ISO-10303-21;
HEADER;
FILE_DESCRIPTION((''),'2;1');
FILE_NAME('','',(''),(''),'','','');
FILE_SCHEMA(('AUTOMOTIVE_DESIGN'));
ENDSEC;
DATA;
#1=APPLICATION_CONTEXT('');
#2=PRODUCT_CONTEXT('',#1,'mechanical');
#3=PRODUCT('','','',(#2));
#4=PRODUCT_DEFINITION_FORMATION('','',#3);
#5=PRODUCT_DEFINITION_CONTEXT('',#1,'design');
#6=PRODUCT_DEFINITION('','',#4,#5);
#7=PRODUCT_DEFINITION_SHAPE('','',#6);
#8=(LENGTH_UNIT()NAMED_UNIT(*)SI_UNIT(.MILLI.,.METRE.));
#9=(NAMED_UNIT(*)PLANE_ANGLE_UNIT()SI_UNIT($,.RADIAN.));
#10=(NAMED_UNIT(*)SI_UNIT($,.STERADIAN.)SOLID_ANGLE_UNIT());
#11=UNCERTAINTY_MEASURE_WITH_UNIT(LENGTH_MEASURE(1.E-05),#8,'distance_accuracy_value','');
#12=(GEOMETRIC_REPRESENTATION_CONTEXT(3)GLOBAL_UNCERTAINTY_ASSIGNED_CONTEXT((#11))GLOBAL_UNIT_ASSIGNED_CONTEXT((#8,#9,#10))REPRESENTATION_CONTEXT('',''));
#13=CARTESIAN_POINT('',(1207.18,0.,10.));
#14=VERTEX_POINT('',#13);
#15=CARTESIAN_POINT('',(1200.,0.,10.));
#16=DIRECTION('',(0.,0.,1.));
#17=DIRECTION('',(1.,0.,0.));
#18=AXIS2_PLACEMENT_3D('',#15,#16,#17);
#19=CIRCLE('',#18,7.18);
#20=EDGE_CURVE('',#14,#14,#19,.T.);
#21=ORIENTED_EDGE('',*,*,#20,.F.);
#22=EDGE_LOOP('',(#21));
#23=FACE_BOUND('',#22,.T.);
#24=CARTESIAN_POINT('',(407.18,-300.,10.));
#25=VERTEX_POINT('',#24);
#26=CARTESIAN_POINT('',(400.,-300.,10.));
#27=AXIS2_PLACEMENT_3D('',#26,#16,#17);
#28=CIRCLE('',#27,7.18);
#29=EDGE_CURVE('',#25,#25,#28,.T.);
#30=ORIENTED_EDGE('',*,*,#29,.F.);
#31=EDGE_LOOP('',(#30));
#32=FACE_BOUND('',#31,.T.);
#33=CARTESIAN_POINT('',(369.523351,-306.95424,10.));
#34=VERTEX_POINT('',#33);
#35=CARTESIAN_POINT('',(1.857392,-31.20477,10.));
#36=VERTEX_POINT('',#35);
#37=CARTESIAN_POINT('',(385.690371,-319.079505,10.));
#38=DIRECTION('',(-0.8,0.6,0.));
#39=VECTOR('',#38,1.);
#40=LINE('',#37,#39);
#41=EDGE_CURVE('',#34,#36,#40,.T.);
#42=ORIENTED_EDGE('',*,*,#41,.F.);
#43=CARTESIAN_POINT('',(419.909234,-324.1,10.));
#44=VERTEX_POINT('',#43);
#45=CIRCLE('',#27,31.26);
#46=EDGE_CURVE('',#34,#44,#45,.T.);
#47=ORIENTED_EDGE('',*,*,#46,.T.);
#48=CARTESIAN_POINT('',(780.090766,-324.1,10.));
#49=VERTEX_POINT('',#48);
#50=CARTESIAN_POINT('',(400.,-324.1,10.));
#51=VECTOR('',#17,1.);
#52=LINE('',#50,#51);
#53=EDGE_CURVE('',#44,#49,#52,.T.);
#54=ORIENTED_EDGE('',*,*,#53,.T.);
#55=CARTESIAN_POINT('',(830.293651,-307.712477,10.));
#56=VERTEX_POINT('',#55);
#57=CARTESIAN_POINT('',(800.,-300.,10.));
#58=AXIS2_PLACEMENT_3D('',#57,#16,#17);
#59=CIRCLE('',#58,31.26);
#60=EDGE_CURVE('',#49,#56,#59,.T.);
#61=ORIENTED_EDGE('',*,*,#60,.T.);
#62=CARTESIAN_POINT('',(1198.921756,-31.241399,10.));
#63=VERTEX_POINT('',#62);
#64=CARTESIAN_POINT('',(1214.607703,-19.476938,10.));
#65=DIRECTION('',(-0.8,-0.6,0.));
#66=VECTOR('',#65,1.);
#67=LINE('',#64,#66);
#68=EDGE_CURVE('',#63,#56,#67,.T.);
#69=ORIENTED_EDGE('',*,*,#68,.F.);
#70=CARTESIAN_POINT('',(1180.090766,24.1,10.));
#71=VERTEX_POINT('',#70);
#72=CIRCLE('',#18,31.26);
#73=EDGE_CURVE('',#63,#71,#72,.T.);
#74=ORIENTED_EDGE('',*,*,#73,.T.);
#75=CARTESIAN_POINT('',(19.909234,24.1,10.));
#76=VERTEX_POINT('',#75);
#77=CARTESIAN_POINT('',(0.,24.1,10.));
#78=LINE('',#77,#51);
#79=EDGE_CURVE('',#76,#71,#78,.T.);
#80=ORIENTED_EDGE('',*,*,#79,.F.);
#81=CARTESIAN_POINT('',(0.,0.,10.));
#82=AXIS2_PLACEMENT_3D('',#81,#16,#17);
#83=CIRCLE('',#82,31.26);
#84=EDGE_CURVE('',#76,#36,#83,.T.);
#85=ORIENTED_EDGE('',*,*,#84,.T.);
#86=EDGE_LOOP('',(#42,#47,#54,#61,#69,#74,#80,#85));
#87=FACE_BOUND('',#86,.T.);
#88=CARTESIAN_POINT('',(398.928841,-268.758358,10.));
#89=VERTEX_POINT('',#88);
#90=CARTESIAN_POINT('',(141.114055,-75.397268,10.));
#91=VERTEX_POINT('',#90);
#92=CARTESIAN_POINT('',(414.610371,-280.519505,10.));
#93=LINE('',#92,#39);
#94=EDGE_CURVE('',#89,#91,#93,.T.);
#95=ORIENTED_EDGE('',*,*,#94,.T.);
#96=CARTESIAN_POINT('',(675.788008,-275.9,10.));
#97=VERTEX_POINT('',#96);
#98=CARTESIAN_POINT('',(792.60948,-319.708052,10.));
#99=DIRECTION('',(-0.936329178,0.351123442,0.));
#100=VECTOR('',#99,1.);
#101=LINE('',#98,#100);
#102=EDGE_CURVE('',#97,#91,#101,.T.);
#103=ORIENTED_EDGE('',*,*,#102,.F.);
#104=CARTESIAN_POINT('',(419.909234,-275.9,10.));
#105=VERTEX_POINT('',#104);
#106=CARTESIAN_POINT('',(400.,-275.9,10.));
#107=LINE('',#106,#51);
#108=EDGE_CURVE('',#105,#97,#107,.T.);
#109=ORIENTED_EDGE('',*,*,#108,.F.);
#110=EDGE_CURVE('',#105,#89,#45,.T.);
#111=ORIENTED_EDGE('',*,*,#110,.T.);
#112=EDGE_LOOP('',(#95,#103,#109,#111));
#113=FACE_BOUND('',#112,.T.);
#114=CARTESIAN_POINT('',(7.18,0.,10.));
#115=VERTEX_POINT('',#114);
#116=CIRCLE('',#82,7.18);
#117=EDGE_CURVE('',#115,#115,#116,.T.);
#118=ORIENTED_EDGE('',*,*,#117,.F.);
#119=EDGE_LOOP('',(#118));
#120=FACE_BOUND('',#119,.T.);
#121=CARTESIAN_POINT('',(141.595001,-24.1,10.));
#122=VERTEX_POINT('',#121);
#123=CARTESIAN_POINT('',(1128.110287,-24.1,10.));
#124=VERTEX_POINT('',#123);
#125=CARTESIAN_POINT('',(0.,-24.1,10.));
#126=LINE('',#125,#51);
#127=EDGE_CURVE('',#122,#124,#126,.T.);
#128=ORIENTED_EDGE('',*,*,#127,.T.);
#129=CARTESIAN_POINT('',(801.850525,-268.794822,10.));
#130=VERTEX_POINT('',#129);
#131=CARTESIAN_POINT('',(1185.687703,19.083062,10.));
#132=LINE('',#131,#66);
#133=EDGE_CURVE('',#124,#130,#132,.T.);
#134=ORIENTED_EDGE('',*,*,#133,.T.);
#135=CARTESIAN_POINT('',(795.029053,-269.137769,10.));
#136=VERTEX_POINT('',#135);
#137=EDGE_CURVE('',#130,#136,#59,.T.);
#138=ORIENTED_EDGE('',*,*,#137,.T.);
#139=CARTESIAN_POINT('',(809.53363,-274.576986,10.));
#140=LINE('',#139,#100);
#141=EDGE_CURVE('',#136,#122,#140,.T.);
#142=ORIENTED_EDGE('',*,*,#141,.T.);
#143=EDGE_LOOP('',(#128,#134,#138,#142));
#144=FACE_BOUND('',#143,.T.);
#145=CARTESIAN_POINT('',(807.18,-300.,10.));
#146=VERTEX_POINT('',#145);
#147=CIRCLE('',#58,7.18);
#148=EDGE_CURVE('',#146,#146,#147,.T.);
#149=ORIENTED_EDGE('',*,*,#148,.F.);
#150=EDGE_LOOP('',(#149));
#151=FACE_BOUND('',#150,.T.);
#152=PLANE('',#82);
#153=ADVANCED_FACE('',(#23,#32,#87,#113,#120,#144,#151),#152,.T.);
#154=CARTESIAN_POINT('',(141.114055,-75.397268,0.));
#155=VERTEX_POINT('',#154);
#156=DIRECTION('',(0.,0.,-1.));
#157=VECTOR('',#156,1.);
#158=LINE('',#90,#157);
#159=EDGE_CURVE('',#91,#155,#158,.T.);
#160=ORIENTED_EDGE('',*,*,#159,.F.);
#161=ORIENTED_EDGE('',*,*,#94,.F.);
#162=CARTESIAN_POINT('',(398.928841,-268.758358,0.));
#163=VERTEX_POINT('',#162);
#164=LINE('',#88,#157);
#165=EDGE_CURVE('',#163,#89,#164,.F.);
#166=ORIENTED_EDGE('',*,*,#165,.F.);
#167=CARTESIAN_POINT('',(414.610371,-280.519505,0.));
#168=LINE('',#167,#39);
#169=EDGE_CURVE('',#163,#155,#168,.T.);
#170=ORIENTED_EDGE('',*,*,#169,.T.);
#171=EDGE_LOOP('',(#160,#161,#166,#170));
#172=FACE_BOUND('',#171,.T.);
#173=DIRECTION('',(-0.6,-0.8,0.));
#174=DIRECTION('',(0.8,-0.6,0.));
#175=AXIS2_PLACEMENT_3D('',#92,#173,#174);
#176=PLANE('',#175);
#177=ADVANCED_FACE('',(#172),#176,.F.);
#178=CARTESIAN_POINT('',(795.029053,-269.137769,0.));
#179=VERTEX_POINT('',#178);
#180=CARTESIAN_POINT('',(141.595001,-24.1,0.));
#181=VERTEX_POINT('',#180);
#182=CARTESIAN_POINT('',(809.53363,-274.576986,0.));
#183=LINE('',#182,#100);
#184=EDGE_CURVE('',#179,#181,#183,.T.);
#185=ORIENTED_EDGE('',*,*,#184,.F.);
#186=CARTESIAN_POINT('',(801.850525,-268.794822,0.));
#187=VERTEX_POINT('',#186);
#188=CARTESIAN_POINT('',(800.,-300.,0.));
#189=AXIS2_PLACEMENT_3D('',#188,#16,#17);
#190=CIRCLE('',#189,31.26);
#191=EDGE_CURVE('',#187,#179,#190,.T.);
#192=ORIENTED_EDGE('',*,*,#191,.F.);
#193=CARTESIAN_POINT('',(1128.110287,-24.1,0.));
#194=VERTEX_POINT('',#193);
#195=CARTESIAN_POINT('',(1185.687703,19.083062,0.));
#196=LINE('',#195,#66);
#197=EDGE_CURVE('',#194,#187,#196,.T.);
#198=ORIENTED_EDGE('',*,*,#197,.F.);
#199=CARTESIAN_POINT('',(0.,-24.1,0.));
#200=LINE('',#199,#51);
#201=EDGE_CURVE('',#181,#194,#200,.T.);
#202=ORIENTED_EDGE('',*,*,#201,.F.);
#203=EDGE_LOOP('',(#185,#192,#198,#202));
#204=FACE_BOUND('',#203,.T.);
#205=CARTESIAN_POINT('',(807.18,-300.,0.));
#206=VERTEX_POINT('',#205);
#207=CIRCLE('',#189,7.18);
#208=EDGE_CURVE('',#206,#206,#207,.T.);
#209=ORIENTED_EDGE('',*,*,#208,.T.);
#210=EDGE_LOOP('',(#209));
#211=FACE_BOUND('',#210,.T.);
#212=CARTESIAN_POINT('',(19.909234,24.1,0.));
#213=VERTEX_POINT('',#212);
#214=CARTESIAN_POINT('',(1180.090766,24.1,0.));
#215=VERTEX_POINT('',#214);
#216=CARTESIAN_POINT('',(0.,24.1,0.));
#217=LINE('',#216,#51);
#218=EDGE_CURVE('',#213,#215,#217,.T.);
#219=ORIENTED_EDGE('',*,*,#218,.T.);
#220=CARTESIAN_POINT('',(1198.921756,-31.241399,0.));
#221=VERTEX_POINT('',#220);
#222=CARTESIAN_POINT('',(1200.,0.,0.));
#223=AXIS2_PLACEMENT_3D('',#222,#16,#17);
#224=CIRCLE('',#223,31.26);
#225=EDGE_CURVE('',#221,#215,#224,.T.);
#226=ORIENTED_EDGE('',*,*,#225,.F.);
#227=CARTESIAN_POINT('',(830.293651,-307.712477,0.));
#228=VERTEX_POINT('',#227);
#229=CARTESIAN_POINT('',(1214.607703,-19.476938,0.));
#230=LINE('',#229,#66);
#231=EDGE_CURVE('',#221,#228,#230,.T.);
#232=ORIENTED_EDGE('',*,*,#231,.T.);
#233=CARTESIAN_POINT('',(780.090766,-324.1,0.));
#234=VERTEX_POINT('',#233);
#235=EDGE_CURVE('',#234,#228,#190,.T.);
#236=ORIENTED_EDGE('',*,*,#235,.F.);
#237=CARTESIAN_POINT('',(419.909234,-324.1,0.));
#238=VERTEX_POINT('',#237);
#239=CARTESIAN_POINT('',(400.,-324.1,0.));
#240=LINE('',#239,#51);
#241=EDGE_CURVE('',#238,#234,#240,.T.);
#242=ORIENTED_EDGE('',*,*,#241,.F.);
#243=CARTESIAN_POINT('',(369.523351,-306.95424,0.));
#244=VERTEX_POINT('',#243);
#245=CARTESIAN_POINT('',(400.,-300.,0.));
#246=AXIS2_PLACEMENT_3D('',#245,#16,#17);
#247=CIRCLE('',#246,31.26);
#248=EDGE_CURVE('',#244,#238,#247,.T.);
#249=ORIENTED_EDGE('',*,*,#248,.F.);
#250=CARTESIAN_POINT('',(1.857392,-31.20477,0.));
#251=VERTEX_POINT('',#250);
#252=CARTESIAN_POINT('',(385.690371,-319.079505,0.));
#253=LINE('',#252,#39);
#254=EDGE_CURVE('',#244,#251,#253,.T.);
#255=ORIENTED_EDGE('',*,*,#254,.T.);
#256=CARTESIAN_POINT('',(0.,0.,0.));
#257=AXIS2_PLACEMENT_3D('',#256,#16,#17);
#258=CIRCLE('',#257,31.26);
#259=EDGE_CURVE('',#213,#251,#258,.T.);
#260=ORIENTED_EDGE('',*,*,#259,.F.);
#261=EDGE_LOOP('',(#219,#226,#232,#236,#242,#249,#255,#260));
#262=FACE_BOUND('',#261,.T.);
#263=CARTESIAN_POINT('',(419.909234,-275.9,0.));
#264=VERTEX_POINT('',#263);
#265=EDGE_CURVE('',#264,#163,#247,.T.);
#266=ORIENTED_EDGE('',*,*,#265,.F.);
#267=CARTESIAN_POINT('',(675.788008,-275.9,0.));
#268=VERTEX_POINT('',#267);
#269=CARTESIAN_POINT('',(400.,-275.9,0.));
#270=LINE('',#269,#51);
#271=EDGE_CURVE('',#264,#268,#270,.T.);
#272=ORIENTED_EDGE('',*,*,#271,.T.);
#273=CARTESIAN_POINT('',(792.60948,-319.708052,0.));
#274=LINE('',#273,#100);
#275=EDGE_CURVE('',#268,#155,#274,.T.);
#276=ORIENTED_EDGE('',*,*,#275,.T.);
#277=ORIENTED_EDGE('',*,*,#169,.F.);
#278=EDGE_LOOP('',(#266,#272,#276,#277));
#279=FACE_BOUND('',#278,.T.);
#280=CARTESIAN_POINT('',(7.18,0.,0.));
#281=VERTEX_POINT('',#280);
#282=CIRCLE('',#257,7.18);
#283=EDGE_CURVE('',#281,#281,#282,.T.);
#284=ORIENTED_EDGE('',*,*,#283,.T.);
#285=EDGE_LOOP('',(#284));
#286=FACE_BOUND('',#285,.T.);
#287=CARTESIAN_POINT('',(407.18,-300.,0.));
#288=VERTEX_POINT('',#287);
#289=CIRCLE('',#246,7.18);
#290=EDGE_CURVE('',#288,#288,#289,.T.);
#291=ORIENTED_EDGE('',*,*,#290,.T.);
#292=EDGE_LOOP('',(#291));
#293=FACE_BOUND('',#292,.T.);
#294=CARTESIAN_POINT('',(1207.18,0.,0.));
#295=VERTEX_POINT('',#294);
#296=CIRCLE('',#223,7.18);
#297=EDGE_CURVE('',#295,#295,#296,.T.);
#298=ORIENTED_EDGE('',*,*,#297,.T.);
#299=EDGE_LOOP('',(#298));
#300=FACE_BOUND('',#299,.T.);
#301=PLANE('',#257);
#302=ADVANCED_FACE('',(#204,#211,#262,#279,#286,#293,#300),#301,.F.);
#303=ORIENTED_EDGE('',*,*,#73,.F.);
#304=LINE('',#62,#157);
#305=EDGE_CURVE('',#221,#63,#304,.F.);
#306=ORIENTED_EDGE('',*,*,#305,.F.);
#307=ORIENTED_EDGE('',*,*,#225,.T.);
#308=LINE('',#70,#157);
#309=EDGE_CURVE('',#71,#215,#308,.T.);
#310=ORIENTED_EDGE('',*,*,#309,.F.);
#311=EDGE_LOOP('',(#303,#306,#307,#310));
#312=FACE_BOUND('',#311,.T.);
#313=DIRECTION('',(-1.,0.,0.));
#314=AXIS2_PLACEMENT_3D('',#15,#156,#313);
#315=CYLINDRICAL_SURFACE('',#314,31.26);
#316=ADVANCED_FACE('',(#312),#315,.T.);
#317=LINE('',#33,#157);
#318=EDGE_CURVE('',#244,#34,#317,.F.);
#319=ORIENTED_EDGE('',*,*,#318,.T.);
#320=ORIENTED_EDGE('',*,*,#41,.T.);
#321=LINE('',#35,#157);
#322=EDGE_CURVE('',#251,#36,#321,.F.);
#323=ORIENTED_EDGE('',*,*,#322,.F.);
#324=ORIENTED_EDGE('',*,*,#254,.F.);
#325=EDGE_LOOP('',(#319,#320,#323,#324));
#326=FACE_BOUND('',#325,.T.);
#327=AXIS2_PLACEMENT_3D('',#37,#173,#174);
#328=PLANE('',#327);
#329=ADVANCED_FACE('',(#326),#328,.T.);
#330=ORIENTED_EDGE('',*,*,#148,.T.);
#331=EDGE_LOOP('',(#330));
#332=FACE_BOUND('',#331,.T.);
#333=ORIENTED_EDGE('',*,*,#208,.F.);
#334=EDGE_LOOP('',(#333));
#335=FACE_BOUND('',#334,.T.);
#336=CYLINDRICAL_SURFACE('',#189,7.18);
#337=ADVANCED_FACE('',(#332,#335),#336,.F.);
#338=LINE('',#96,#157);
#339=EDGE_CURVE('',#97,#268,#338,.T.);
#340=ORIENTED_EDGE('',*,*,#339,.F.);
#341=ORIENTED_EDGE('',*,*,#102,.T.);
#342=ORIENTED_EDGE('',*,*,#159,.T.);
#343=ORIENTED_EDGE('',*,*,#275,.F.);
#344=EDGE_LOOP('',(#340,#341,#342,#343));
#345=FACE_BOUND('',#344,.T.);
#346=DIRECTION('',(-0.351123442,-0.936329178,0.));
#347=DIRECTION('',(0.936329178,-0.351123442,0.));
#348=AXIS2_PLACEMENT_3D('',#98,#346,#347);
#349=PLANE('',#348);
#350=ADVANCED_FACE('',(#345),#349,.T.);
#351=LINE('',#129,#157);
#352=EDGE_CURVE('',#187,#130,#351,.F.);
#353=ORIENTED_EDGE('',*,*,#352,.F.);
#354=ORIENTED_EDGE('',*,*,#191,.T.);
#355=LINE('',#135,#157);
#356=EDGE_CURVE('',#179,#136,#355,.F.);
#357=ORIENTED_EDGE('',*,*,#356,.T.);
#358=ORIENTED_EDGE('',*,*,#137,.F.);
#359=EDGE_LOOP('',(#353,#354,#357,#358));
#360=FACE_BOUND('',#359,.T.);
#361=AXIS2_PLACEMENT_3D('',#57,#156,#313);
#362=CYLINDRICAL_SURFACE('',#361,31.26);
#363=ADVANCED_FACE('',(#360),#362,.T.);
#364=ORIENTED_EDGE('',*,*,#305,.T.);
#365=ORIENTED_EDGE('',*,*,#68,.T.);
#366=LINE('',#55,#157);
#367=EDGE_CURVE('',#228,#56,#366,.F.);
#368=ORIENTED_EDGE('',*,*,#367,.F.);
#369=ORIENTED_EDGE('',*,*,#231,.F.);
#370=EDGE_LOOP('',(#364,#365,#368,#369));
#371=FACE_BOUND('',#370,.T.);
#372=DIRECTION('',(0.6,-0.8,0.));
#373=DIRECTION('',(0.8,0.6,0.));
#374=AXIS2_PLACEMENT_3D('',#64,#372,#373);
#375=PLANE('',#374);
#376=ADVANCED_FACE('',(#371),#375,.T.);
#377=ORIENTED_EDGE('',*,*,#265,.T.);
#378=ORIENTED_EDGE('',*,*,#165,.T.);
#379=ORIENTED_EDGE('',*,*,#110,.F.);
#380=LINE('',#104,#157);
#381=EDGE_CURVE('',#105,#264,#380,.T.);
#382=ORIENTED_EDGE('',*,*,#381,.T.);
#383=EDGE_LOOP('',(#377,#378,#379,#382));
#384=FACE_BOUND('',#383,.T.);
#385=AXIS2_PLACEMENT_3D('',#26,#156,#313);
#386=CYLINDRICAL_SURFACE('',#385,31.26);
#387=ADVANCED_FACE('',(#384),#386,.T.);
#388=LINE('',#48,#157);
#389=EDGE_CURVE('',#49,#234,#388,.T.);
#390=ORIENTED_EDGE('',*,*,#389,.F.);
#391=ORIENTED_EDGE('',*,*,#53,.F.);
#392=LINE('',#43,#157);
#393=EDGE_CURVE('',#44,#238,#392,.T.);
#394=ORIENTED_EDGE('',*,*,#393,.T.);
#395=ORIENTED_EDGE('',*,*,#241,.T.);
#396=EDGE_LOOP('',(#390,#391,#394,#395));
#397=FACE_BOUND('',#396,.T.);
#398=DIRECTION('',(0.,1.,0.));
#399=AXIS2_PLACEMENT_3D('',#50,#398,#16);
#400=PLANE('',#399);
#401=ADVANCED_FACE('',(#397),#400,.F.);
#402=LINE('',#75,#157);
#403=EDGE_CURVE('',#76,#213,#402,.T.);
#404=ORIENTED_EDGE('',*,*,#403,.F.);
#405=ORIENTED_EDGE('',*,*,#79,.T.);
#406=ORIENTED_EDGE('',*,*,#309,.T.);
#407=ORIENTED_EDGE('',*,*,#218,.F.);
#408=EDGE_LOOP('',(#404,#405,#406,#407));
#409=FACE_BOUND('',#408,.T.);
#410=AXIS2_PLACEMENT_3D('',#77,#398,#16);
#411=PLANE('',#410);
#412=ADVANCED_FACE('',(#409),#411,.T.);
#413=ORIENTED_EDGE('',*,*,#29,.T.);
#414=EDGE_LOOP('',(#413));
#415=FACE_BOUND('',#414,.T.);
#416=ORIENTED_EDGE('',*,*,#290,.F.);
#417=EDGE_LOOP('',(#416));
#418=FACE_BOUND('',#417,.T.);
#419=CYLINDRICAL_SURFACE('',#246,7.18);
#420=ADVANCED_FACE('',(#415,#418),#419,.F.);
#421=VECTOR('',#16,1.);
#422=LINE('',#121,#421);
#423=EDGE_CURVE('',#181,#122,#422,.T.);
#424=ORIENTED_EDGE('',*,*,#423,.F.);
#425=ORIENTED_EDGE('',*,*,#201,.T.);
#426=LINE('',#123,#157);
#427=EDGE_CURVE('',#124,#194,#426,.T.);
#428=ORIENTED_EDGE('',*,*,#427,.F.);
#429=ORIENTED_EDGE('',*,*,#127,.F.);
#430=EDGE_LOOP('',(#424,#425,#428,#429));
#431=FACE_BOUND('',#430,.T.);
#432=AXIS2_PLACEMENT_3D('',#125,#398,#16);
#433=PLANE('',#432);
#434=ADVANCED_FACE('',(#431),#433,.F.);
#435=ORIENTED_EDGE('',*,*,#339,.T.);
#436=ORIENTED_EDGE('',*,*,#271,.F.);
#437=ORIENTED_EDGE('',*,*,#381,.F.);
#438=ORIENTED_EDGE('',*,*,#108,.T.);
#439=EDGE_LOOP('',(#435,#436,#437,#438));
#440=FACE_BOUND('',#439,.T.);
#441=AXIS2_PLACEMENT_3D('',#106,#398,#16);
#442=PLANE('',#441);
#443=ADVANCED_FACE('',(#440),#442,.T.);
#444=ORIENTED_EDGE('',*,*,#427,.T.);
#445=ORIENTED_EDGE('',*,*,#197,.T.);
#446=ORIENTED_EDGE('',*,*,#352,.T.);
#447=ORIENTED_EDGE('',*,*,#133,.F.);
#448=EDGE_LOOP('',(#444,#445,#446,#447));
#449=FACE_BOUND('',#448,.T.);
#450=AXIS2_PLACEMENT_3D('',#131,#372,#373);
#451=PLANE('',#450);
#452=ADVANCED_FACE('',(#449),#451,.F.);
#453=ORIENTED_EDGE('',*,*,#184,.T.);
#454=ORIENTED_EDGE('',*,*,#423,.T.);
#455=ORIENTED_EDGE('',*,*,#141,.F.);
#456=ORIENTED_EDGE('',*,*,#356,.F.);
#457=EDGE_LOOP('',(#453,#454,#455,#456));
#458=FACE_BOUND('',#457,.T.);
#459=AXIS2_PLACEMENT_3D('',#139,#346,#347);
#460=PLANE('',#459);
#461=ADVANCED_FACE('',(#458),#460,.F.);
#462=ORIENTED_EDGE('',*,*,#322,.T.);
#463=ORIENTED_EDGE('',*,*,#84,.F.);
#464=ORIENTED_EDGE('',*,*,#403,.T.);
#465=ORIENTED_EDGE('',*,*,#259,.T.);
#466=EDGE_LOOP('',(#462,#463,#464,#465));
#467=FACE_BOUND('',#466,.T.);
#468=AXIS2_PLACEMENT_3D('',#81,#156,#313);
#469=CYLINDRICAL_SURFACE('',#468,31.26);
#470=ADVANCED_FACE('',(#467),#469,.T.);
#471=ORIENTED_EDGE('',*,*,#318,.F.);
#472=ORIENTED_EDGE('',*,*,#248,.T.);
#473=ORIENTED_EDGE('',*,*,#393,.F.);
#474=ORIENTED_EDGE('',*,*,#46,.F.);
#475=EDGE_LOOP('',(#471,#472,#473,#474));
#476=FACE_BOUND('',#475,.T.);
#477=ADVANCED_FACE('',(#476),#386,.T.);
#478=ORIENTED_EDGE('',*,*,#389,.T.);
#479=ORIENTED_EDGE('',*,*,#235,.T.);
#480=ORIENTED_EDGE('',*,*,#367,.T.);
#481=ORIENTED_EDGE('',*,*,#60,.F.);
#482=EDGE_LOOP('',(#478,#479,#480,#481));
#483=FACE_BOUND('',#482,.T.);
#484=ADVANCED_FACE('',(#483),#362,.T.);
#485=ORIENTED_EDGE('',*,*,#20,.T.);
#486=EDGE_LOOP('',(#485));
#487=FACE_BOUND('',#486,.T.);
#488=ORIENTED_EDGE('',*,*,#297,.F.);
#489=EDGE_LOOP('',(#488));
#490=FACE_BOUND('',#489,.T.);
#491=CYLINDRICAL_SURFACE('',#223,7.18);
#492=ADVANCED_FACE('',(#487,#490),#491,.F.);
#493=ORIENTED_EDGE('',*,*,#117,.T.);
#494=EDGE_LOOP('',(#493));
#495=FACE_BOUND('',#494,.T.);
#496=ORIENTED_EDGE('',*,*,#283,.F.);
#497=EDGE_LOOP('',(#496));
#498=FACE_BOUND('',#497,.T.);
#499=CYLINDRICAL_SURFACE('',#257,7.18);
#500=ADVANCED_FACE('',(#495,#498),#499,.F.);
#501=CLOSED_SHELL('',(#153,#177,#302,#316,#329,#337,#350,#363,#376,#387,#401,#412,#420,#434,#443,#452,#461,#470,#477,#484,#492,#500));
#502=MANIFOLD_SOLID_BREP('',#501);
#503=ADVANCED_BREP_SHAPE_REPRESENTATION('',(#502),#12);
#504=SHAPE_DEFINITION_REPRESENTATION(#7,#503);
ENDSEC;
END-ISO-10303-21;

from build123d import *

# Parameters (mm, degrees)
SKETCH2_R           = 31.26
SKETCH2_W           = 400
SKETCH2_H           = 48.2
SKETCH2_W_2         = 1200
BOSS_EXTRUDE4_DEPTH = 10
SKETCH3_R           = 7.18
CUT_EXTRUDE1_DEPTH  = 10


with BuildPart() as part:
    # Sketch2 → Boss-Extrude4 (new body)
    with BuildSketch(Plane.XY):
        with Locations((400, -300)):
            Circle(SKETCH2_R)
        with Locations((800, -300)):
            Circle(SKETCH2_R)
        Circle(SKETCH2_R)
        with Locations((1200, 0)):
            Circle(SKETCH2_R)
        with Locations((600, -300)):
            Rectangle(SKETCH2_W, SKETCH2_H)
        with Locations((600, 0)):
            Rectangle(SKETCH2_W_2, SKETCH2_H)
        Polygon((414.610371201, -280.519505066), (14.610371201, 19.480494934), (-14.309628799, -19.079505066), (385.690371201, -319.079505066), align=None)
        Polygon((1185.687703452, 19.083062065), (785.687703452, -280.916937935), (814.607703452, -319.476937935), (1214.607703452, -19.476937935), align=None)
        Polygon((792.609480398, -319.708052273), (-7.390519602, -19.708052273), (9.533630282, 25.423014086), (809.533630282, -274.576985914), align=None)
    extrude(amount=BOSS_EXTRUDE4_DEPTH)

    # Sketch3 → Cut-Extrude1 (cut)
    with BuildSketch(Plane.XY.offset(10)):
        Circle(SKETCH3_R)
        with Locations((1200, 0)):
            Circle(SKETCH3_R)
        with Locations((800, -300)):
            Circle(SKETCH3_R)
        with Locations((400, -300)):
            Circle(SKETCH3_R)
    extrude(amount=-CUT_EXTRUDE1_DEPTH, mode=Mode.SUBTRACT)


solid = part.part
